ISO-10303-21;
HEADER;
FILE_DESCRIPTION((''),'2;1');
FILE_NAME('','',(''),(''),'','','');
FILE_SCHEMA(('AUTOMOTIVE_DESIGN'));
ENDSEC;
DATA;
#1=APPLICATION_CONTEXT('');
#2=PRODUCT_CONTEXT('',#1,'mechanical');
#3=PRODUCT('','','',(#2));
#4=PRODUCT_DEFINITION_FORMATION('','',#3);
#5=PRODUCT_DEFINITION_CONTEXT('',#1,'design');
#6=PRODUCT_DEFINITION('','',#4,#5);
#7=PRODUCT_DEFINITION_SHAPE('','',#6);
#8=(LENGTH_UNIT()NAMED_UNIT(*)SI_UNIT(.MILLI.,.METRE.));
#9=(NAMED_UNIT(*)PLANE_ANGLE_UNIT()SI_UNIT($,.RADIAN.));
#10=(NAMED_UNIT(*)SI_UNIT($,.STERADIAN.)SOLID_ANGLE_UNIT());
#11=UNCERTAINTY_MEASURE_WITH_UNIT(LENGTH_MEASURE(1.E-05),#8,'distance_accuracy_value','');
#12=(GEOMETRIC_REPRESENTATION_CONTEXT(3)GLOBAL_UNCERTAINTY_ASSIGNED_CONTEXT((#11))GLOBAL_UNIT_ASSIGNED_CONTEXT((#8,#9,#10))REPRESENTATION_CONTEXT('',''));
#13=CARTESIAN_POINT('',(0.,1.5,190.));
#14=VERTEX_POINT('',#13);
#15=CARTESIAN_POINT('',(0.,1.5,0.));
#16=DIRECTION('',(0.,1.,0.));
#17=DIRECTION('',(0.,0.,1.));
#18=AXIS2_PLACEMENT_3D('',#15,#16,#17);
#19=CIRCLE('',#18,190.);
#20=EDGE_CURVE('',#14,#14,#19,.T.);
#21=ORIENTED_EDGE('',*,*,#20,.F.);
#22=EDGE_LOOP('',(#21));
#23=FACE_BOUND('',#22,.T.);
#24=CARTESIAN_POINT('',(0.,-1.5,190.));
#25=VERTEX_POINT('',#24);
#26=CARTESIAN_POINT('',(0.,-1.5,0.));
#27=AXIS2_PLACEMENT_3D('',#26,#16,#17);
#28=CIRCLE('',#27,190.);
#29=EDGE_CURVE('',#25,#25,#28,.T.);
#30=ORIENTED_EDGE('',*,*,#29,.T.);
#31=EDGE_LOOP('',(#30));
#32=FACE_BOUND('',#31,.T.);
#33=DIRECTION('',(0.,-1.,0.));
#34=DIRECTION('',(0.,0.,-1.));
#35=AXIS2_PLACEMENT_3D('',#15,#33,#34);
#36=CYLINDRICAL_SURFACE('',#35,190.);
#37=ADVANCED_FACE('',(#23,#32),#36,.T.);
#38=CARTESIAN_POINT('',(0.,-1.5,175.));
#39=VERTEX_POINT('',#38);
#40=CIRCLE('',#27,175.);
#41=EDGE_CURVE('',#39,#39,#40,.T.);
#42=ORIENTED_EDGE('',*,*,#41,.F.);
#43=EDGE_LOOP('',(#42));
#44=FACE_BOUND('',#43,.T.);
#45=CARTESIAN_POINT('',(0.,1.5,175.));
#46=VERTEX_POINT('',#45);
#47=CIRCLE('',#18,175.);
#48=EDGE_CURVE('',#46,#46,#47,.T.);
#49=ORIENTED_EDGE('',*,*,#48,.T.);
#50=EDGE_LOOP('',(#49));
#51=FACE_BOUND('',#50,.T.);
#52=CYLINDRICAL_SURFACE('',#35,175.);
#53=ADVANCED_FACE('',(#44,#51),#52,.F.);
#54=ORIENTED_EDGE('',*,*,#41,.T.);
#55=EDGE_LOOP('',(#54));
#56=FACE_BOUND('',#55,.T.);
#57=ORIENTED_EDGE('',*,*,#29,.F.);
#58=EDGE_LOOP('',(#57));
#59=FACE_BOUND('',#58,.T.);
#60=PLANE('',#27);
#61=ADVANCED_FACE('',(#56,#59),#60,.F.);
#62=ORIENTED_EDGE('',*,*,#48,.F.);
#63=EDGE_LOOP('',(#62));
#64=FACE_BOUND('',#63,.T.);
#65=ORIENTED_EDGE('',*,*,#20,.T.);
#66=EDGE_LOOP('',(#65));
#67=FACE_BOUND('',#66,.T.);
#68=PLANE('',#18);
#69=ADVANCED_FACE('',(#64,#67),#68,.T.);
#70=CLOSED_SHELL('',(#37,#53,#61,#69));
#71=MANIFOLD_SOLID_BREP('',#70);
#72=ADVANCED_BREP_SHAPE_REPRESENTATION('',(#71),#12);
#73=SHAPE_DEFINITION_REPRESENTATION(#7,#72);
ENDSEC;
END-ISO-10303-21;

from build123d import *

# Parameters (mm, degrees)
SKETCH1_R           = 190
SKETCH1_R_2         = 175
BOSS_EXTRUDE1_DEPTH = 1.5


with BuildPart() as part:
    # Sketch1 → Boss-Extrude1 (new, symmetric)
    with BuildSketch(Plane(origin=(0, 0, 0), x_dir=(1, 0, 0), z_dir=(0, 1, 0))):
        with Locations(Location((0, 0, 0), (0, 0, 270))):
            Circle(SKETCH1_R)
        with Locations(Location((0, 0, 0), (0, 0, 270))):
            Circle(SKETCH1_R_2, mode=Mode.SUBTRACT)
    extrude(amount=BOSS_EXTRUDE1_DEPTH, both=True)


solid = part.part
